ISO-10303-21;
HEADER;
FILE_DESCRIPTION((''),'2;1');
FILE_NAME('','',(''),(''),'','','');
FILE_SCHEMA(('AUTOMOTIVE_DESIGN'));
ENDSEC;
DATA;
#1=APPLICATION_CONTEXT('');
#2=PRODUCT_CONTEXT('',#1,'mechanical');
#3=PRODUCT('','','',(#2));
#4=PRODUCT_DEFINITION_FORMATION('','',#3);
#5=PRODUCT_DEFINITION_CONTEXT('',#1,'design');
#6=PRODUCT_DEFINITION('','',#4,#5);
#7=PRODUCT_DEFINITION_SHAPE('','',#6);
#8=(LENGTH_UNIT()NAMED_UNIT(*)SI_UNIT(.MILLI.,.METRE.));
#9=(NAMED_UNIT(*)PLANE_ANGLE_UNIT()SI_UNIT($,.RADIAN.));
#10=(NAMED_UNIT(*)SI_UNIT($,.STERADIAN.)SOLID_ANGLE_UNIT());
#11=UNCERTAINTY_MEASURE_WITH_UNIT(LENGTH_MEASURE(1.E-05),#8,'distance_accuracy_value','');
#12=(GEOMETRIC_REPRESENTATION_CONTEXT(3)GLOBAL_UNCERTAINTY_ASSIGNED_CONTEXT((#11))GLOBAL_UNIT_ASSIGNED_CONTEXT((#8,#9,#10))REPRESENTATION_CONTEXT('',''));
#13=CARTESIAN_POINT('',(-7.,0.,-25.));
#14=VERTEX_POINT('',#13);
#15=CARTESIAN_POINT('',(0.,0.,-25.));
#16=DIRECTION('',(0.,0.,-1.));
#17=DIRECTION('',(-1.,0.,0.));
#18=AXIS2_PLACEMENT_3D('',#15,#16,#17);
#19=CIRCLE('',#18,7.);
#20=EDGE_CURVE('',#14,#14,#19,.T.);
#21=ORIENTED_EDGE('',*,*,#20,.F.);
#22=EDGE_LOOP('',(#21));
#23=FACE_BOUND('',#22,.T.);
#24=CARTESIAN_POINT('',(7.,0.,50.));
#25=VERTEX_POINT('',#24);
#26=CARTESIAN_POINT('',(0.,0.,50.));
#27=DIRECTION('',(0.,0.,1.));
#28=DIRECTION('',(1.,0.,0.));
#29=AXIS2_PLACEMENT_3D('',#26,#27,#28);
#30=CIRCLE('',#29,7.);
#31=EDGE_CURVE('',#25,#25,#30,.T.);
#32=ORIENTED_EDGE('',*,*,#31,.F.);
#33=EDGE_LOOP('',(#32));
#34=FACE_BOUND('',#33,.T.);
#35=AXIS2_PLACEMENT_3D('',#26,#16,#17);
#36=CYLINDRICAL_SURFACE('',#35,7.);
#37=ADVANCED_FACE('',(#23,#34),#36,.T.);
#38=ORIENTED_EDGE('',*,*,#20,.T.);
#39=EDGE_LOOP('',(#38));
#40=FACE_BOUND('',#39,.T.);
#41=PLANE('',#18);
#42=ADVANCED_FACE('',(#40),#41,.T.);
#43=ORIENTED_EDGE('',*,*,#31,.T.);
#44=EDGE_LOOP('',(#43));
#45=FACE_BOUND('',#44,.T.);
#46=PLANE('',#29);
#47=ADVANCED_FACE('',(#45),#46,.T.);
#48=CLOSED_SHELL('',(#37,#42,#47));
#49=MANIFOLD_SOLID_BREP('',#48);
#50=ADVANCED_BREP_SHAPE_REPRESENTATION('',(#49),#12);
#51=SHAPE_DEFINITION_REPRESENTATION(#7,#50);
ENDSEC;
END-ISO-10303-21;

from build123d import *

# Parameters (mm, degrees)
SKETCH1_R           = 7
BOSS_EXTRUDE1_DEPTH = 50
BOSS_EXTRUDE2_START = 25
SKETCH5_R           = 7
BOSS_EXTRUDE2_DEPTH = 25


with BuildPart() as part:
    # Sketch1 → Boss-Extrude1 (new body)
    with BuildSketch(Plane.XY):
        Circle(SKETCH1_R)
    extrude(amount=BOSS_EXTRUDE1_DEPTH)

    # Sketch5 → Boss-Extrude2 (add)
    with BuildSketch(Plane(origin=(0, 0, 0), x_dir=(-1, 0, 0), z_dir=(0, 0, -1)).offset(BOSS_EXTRUDE2_START)):
        Circle(SKETCH5_R)
    extrude(amount=-BOSS_EXTRUDE2_DEPTH)


solid = part.part
